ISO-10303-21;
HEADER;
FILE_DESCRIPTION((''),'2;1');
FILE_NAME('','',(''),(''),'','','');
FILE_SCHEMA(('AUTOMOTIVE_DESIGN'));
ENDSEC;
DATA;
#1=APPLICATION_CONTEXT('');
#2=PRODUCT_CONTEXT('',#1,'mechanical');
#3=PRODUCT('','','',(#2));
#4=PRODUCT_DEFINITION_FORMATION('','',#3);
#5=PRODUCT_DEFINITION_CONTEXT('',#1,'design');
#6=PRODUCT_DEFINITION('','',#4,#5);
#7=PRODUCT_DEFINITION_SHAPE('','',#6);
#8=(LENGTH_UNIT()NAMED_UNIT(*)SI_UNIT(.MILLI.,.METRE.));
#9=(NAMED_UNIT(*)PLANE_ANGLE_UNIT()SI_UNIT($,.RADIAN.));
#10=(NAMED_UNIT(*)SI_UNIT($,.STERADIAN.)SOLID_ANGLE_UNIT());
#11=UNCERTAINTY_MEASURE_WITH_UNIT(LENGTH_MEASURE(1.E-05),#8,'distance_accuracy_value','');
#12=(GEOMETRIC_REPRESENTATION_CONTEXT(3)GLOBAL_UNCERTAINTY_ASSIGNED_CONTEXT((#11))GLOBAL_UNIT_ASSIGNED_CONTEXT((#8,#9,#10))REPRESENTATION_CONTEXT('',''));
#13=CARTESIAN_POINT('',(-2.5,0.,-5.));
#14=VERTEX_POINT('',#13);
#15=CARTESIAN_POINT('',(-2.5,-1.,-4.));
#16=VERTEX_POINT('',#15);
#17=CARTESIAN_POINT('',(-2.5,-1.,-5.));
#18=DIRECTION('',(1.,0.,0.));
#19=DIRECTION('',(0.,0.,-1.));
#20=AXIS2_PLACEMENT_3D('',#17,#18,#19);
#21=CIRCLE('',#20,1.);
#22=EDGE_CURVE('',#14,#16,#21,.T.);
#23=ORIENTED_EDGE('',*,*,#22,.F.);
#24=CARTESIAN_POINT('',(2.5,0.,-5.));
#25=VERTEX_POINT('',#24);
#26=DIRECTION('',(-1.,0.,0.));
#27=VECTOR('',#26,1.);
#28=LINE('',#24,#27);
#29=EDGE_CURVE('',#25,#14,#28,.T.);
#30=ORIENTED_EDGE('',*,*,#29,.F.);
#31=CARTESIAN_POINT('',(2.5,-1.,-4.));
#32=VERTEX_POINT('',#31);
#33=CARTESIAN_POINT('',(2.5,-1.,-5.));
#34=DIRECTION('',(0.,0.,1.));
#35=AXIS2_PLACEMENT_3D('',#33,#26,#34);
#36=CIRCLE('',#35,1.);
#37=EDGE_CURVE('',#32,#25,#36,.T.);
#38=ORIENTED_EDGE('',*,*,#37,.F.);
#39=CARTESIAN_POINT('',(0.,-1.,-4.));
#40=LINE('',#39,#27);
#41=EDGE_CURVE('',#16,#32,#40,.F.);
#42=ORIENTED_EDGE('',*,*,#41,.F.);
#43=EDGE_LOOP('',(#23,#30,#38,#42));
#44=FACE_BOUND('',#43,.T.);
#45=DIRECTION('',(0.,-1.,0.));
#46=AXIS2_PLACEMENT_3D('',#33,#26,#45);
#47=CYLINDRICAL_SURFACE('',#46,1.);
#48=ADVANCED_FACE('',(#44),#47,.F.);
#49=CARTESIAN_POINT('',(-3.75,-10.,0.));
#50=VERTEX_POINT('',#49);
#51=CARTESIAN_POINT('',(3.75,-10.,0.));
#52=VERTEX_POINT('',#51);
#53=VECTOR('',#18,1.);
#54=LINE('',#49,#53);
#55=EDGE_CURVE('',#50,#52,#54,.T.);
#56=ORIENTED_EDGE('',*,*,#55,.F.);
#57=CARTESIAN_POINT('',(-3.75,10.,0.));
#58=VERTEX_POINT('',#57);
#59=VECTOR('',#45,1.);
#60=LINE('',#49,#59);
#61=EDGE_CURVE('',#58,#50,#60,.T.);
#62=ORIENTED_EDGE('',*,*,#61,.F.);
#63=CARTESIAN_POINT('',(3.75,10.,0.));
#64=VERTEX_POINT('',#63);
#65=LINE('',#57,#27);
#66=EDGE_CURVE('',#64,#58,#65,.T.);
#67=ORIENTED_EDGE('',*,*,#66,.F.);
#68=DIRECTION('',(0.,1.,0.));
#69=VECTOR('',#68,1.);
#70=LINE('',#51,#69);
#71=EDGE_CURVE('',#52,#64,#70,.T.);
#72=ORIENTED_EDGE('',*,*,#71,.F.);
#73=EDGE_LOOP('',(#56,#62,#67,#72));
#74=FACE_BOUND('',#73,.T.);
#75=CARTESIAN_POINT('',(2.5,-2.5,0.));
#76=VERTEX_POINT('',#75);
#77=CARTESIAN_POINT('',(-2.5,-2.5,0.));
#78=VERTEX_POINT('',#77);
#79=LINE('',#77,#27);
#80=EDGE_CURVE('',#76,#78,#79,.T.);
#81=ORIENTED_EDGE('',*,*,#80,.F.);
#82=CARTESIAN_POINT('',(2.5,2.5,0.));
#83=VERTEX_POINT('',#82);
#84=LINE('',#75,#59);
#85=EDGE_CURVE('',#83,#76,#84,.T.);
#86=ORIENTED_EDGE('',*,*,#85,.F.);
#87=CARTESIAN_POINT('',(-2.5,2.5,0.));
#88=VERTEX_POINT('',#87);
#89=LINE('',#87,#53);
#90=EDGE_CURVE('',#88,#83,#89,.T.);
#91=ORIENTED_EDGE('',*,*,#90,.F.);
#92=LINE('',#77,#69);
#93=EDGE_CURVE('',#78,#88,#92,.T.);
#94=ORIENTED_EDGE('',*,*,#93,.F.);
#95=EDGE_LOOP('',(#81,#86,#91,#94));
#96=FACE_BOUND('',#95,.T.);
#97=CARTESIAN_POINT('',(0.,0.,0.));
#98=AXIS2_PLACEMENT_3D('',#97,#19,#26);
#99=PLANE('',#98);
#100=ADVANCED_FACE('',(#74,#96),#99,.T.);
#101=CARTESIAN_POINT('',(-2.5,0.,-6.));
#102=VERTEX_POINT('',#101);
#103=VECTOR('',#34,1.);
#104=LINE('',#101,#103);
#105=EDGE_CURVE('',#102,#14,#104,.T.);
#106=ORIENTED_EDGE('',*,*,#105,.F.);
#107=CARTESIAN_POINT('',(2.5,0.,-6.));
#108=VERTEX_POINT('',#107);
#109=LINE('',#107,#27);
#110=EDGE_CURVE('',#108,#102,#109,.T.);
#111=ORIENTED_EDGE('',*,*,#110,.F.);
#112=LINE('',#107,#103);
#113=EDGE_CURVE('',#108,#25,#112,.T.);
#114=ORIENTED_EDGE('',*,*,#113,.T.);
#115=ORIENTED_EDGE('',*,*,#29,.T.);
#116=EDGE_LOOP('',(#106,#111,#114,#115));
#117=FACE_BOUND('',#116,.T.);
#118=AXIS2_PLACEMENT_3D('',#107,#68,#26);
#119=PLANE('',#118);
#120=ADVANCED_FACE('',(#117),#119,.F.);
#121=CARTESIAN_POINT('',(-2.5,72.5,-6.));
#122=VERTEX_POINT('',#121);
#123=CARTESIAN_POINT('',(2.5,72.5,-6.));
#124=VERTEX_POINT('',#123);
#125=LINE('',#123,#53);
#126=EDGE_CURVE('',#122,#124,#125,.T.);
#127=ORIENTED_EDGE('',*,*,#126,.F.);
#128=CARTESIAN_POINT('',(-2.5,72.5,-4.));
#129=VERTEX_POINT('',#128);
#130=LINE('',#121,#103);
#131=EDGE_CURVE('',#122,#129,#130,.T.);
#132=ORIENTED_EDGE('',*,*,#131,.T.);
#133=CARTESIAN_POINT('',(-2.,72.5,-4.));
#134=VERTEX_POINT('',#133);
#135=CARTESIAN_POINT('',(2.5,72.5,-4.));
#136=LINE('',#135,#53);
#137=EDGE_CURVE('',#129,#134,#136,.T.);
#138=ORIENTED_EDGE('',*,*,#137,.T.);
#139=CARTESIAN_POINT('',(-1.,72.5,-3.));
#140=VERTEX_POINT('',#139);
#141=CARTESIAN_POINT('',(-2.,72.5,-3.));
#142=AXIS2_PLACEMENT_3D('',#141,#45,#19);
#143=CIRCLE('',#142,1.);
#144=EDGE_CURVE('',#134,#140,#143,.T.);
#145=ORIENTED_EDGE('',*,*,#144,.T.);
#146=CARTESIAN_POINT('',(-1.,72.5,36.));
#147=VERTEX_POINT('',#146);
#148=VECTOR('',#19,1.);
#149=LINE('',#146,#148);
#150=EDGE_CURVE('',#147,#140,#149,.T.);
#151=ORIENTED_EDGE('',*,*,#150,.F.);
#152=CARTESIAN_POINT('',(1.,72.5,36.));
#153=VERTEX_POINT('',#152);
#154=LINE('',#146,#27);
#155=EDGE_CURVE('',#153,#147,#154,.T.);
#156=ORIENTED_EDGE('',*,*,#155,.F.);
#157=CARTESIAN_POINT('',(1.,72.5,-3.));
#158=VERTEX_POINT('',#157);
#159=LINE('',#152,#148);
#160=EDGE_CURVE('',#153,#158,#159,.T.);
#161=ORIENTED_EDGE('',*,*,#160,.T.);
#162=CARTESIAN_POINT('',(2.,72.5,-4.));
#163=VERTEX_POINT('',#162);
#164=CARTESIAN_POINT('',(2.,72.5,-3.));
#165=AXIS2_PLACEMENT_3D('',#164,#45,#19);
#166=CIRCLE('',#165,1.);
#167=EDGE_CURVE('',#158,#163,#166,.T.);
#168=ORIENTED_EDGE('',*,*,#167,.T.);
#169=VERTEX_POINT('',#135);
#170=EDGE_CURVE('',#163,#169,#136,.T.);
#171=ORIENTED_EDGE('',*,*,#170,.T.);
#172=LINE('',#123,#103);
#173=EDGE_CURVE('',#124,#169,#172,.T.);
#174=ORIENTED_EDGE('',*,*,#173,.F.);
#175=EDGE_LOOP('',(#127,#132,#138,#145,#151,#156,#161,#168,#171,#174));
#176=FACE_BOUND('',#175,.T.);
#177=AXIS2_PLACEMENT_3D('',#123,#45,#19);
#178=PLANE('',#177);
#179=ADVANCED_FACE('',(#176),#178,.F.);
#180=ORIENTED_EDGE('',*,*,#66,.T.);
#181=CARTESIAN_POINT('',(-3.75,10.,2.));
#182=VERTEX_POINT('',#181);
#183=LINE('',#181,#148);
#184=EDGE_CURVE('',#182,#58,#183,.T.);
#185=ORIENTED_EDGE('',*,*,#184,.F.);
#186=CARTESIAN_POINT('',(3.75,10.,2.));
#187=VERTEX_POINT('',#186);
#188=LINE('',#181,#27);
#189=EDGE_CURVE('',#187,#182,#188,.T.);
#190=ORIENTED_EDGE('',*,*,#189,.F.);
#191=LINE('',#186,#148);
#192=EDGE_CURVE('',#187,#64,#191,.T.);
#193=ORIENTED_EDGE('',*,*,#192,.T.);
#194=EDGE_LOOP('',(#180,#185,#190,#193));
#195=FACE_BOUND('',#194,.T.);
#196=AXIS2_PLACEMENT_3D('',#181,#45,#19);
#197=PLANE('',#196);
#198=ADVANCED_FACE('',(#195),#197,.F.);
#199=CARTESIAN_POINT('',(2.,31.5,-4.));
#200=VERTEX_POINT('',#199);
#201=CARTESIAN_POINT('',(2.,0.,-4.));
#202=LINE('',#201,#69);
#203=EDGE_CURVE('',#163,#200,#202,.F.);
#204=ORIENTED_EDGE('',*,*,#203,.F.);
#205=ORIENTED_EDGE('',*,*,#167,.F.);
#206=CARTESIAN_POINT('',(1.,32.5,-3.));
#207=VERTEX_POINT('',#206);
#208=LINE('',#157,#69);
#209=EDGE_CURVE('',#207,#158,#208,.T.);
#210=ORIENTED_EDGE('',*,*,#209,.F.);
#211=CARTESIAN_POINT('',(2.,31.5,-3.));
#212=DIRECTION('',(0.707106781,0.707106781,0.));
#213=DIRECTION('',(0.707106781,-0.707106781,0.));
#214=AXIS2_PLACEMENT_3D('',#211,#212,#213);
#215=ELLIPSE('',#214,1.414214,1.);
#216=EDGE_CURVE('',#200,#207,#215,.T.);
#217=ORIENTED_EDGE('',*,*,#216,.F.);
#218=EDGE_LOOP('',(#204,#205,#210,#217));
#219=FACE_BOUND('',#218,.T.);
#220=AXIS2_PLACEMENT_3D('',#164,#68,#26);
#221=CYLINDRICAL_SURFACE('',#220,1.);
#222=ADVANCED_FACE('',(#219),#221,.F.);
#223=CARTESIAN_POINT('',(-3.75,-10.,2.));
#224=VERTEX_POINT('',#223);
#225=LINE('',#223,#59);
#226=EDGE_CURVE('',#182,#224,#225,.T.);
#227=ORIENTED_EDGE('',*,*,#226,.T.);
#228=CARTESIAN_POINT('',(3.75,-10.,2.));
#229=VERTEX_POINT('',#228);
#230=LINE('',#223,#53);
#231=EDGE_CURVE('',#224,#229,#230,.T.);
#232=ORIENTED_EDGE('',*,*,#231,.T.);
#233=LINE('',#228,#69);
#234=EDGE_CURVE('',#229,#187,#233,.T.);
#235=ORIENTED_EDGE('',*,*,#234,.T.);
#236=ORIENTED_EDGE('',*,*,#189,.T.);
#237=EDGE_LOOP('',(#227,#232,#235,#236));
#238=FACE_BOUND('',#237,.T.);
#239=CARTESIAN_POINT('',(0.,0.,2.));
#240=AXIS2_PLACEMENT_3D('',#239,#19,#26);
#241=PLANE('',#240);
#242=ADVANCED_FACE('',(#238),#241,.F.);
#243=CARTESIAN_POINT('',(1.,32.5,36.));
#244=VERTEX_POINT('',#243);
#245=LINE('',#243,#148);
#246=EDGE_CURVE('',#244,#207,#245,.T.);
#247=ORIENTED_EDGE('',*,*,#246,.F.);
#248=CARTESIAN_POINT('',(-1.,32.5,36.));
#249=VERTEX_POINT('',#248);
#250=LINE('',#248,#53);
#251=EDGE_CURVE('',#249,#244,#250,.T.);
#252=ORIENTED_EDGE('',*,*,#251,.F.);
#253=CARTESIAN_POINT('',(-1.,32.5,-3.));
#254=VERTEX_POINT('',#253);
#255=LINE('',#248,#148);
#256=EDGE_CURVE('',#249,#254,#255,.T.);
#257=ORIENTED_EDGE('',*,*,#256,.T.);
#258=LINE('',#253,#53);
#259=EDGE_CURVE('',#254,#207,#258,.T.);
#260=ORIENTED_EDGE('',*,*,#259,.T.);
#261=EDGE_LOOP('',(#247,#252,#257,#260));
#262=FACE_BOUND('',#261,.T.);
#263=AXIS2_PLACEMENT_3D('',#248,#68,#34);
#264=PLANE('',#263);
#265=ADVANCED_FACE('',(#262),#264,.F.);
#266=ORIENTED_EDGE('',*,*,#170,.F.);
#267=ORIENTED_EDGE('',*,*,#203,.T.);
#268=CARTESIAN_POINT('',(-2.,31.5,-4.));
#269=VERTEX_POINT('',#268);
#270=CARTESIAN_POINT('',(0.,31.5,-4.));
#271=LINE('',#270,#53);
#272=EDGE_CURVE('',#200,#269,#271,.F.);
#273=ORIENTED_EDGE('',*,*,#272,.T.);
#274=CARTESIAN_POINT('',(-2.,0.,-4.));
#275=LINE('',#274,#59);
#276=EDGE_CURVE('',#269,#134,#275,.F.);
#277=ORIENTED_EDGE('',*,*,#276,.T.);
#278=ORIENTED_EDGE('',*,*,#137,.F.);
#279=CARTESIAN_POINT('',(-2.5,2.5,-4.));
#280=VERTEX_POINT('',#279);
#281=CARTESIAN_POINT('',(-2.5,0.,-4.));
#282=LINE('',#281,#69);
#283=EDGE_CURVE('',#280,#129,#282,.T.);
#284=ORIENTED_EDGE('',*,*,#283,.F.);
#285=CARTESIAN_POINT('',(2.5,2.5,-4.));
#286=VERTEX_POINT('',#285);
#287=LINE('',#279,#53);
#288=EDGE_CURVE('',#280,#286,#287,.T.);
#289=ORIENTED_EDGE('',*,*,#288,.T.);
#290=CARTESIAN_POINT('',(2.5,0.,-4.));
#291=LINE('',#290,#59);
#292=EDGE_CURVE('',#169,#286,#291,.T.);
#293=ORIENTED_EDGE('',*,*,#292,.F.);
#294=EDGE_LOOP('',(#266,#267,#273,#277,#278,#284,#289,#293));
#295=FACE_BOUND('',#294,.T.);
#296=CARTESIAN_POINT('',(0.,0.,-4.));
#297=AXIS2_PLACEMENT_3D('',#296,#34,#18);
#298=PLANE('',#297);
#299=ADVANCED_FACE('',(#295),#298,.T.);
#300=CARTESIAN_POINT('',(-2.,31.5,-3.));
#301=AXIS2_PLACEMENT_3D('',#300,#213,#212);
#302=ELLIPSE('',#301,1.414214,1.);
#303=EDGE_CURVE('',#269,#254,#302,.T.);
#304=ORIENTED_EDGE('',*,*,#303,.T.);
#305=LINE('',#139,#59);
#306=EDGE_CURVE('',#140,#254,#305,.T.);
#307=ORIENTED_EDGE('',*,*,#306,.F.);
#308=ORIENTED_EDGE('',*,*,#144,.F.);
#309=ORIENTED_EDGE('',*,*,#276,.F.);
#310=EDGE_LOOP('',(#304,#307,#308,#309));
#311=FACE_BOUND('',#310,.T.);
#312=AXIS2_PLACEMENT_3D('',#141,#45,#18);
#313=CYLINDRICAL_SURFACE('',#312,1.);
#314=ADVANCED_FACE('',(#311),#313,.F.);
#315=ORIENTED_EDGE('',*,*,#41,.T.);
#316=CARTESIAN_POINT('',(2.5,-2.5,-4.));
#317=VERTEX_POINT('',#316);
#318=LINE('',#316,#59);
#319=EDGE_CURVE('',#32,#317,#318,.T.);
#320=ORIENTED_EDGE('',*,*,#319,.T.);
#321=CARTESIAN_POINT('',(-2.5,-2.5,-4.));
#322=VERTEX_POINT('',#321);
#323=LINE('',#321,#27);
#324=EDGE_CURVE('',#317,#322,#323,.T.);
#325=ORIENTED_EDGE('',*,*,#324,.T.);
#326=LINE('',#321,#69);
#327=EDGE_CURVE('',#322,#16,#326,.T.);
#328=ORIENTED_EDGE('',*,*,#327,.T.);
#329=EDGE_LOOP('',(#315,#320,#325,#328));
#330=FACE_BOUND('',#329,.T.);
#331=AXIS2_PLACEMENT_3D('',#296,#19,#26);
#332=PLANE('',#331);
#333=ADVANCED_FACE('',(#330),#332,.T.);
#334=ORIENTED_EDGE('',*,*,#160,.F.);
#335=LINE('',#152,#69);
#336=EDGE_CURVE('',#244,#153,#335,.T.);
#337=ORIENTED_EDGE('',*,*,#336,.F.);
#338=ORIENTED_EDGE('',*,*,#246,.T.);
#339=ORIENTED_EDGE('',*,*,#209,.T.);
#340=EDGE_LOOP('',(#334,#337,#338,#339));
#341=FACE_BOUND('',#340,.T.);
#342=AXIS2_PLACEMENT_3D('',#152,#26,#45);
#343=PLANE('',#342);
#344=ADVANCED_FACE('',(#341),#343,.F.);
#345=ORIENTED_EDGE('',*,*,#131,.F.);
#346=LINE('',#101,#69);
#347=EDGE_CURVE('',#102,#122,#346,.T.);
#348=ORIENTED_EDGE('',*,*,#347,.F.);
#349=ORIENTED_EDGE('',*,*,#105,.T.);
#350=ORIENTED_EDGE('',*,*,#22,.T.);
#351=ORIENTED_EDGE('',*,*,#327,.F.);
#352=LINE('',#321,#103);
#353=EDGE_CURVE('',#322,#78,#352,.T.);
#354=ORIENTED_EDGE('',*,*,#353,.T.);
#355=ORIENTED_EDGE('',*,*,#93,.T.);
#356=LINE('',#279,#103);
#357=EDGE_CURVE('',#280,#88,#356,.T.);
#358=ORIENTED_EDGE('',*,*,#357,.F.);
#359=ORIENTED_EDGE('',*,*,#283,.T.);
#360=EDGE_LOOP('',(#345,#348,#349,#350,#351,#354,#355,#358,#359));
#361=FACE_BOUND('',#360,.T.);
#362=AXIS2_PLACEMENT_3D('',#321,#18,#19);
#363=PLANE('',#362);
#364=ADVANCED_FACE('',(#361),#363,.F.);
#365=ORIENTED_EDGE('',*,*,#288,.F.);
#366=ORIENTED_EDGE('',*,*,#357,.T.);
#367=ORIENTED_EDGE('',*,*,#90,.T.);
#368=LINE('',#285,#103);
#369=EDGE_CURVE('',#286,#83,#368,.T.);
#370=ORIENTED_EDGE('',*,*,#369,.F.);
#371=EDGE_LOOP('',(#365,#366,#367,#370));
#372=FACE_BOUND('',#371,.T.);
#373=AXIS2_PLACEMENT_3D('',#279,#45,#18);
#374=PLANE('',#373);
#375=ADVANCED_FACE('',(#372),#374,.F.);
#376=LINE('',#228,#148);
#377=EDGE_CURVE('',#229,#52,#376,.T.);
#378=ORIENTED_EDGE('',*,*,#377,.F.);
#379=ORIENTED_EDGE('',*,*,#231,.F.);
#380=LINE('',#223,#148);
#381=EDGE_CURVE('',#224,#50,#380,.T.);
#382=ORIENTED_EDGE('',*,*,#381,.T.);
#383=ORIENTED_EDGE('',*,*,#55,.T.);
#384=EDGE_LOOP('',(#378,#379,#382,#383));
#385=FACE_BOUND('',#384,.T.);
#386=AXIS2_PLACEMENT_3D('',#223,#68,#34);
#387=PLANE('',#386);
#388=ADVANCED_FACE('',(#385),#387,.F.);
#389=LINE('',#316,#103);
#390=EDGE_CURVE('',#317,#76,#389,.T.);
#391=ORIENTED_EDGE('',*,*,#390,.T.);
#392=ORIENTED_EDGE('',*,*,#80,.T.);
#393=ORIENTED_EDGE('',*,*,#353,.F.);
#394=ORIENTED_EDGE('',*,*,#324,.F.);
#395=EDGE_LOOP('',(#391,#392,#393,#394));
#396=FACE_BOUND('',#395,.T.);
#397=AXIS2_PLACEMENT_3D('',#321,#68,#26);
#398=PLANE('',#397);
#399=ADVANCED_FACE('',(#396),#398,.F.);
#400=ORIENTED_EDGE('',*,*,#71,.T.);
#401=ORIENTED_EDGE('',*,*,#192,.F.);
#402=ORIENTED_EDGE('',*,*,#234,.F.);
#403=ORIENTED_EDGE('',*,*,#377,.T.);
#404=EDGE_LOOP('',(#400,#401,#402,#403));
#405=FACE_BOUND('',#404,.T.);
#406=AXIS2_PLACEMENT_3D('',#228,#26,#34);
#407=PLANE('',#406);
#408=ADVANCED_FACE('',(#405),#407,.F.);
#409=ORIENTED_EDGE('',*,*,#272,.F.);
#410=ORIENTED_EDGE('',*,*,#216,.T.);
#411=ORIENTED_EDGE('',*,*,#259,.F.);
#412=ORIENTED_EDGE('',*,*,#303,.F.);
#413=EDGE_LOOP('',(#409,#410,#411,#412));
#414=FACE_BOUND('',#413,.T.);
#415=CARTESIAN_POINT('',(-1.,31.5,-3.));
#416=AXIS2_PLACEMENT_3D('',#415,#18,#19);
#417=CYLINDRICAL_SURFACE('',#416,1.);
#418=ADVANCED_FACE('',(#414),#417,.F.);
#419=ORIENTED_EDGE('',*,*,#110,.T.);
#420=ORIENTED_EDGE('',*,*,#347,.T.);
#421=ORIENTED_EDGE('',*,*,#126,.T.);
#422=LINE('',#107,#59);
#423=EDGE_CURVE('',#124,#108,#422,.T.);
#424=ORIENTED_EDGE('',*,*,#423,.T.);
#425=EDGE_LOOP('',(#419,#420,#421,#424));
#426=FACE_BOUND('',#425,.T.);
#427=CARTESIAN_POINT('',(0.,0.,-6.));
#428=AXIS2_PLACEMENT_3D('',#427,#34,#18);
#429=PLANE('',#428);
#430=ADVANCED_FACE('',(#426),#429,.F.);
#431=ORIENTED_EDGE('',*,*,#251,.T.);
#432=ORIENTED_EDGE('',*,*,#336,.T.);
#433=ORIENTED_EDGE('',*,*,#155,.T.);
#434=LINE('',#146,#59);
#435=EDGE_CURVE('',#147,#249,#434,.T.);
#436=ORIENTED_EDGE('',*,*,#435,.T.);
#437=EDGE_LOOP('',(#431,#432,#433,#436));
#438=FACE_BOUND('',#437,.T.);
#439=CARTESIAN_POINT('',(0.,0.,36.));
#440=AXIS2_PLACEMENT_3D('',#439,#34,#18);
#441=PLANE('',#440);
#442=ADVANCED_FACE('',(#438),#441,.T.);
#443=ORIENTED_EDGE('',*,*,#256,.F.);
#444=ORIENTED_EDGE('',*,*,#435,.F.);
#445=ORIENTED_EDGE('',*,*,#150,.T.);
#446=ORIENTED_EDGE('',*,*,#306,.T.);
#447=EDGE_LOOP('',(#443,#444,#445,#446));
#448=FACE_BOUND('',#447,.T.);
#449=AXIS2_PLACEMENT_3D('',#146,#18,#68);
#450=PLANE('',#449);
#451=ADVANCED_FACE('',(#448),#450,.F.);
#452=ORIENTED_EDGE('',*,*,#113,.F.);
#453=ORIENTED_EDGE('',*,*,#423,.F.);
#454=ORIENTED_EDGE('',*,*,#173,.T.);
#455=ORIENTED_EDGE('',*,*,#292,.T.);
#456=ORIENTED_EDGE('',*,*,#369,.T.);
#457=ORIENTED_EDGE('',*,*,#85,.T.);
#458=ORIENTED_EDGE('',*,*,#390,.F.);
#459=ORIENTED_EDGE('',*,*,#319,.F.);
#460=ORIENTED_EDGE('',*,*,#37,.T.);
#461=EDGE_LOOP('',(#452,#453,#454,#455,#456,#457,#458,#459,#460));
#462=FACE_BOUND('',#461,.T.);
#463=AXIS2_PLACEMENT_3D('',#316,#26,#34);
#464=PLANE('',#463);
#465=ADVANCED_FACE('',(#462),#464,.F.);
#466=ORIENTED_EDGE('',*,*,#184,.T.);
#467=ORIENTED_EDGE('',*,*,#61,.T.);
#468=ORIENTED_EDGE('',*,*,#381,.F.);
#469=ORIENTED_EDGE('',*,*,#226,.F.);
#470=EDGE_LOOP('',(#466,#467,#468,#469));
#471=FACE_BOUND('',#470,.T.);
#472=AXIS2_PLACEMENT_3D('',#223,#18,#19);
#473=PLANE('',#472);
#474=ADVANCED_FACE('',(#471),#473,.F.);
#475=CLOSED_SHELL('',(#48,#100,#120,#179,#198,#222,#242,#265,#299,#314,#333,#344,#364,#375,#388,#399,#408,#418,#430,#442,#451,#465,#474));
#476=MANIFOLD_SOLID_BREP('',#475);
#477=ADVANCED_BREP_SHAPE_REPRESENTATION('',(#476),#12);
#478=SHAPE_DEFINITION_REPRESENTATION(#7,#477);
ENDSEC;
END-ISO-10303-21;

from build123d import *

# Parameters (mm, degrees)
SKETCH1_W           = 7.5
SKETCH1_H           = 20
BOSS_EXTRUDE1_DEPTH = 2
SKETCH2_W           = 5
SKETCH2_H           = 5
BOSS_EXTRUDE2_DEPTH = 4
SKETCH3_W           = 5
SKETCH3_H           = 72.5
BOSS_EXTRUDE3_DEPTH = 2
SKETCH4_W           = 2
SKETCH4_H           = 40
BOSS_EXTRUDE4_DEPTH = 40
FILLET1_R           = 1
FILLET2_R           = 1


with BuildPart() as part:
    # Sketch1 → Boss-Extrude1 (new body)
    with BuildSketch(Plane.XY):
        Rectangle(SKETCH1_W, SKETCH1_H)
    extrude(amount=BOSS_EXTRUDE1_DEPTH)

    # Sketch2 → Boss-Extrude2 (add)
    with BuildSketch(Plane(origin=(0, 0, 0), x_dir=(-1, 0, 0), z_dir=(0, 0, -1))):
        Rectangle(SKETCH2_W, SKETCH2_H)
    extrude(amount=BOSS_EXTRUDE2_DEPTH)

    # Sketch3 → Boss-Extrude3 (add)
    with BuildSketch(Plane(origin=(0, 0, -4), x_dir=(-1, 0, 0), z_dir=(0, 0, -1))):
        with Locations((0, 36.25)):
            Rectangle(SKETCH3_W, SKETCH3_H)
    extrude(amount=BOSS_EXTRUDE3_DEPTH)

    # Sketch4 → Boss-Extrude4 (add)
    with BuildSketch(Plane.XY.offset(-4)):
        with Locations((0, 52.5)):
            Rectangle(SKETCH4_W, SKETCH4_H)
    extrude(amount=BOSS_EXTRUDE4_DEPTH)

    # Fillet1
    fillet1_edges = [part.edges().sort_by_distance(p)[0] for p in [
        (0, 0, -4),
    ]]
    fillet(fillet1_edges, radius=FILLET1_R)

    # Fillet2
    fillet2_edges = [part.edges().sort_by_distance(p)[0] for p in [
        (-1, 52.5, -4),
        (0, 32.5, -4),
        (1, 52.5, -4),
    ]]
    fillet(fillet2_edges, radius=FILLET2_R)


solid = part.part
